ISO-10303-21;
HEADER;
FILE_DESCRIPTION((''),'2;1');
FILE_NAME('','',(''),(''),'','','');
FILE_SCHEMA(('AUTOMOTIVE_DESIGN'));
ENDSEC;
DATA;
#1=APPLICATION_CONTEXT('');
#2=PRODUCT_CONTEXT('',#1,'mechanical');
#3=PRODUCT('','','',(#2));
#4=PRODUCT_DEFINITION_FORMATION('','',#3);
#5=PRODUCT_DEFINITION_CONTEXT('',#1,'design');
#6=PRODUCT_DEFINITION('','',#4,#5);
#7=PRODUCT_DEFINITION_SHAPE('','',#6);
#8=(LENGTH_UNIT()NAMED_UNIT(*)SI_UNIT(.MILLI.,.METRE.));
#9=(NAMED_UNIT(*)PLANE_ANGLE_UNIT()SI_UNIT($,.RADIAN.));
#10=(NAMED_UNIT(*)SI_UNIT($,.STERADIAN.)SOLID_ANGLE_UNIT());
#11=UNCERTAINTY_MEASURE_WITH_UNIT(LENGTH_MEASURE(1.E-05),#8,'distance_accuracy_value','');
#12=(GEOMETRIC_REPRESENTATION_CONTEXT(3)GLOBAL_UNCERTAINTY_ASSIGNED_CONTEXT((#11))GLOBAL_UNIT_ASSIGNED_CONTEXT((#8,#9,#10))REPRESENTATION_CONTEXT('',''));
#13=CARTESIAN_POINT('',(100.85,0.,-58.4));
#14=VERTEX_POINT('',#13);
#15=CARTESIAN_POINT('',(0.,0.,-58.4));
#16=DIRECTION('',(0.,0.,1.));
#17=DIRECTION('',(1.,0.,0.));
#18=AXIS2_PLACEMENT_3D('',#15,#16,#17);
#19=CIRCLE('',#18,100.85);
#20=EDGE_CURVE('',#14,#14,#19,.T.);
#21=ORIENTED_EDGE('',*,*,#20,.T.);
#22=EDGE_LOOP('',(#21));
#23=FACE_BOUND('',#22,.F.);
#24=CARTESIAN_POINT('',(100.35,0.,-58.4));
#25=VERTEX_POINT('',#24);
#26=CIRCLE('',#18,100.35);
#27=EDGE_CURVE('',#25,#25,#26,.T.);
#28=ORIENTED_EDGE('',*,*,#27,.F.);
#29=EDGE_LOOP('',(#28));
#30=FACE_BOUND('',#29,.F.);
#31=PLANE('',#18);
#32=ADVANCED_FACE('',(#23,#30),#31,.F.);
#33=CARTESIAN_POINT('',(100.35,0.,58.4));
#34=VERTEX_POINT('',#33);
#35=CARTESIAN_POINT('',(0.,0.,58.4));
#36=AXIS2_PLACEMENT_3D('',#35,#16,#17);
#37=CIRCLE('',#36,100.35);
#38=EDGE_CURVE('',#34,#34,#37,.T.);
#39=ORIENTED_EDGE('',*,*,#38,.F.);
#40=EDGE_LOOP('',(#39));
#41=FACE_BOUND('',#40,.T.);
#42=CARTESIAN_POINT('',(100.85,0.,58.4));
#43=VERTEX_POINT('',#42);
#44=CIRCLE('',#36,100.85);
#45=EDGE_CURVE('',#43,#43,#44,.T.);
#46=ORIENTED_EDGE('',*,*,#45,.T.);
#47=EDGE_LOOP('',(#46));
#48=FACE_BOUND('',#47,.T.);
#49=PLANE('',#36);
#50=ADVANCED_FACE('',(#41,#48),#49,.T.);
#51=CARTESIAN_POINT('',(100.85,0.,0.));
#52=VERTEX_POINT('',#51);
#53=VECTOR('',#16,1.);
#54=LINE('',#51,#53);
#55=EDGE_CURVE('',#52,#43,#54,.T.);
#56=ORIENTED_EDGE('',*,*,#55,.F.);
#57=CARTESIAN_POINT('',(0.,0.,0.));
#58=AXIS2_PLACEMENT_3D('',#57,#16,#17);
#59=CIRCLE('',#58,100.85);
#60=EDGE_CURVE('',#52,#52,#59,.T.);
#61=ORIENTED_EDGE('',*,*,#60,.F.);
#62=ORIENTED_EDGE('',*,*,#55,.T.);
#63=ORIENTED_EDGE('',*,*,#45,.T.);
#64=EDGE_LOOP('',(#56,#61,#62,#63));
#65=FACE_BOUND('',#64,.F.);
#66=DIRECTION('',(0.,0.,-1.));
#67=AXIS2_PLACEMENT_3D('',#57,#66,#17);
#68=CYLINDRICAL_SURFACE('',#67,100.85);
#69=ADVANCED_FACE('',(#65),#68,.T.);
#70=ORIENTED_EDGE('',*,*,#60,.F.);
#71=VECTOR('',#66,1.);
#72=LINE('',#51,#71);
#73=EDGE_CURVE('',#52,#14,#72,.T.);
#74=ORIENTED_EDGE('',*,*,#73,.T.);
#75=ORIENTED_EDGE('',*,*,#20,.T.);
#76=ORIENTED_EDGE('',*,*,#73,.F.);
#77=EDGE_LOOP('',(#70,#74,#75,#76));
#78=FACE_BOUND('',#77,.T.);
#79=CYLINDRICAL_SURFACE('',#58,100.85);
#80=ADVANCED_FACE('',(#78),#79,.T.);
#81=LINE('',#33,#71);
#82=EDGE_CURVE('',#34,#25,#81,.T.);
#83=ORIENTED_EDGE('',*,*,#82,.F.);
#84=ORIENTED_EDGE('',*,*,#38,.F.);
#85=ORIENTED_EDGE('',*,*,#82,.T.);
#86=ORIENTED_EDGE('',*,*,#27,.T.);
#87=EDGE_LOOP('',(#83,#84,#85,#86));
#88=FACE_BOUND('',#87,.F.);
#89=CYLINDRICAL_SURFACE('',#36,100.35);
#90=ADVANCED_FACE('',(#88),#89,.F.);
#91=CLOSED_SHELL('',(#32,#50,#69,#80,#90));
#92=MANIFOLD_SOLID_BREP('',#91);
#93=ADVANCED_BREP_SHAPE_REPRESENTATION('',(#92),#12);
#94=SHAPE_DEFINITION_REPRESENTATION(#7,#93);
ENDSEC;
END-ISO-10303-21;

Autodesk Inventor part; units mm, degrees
ref_plane "YZ Plane" through (0, 0, 0) normal (1, 0, 0) x (0, 1, 0)
ref_plane "XZ Plane" through (0, 0, 0) normal (0, 1, 0) x (-1, 0, 0)
ref_plane "XY Plane" through (0, 0, 0) normal (0, 0, 1) x (1, 0, 0)
sketch "Sketch1" plane through (0, 0, 0) normal (0, 0, 1) x (1, 0, 0)
  circle A0 centre (0, 0) radius 100.85
  dimension "d0" = 201.7
extrude "Extrusion1" add sketch "Sketch1" along normal mid plane 116.8
sketch "Sketch2" plane through (0, 0, 58.4) normal (0, 0, 1) x (1, 0, 0)
  circle A0 centre (0, 0) radius 100.35
  dimension "d3" = 200.7
extrude "Extrusion2" cut sketch "Sketch2" against normal through all
properties part number "ALPHA-II-CT_5"
